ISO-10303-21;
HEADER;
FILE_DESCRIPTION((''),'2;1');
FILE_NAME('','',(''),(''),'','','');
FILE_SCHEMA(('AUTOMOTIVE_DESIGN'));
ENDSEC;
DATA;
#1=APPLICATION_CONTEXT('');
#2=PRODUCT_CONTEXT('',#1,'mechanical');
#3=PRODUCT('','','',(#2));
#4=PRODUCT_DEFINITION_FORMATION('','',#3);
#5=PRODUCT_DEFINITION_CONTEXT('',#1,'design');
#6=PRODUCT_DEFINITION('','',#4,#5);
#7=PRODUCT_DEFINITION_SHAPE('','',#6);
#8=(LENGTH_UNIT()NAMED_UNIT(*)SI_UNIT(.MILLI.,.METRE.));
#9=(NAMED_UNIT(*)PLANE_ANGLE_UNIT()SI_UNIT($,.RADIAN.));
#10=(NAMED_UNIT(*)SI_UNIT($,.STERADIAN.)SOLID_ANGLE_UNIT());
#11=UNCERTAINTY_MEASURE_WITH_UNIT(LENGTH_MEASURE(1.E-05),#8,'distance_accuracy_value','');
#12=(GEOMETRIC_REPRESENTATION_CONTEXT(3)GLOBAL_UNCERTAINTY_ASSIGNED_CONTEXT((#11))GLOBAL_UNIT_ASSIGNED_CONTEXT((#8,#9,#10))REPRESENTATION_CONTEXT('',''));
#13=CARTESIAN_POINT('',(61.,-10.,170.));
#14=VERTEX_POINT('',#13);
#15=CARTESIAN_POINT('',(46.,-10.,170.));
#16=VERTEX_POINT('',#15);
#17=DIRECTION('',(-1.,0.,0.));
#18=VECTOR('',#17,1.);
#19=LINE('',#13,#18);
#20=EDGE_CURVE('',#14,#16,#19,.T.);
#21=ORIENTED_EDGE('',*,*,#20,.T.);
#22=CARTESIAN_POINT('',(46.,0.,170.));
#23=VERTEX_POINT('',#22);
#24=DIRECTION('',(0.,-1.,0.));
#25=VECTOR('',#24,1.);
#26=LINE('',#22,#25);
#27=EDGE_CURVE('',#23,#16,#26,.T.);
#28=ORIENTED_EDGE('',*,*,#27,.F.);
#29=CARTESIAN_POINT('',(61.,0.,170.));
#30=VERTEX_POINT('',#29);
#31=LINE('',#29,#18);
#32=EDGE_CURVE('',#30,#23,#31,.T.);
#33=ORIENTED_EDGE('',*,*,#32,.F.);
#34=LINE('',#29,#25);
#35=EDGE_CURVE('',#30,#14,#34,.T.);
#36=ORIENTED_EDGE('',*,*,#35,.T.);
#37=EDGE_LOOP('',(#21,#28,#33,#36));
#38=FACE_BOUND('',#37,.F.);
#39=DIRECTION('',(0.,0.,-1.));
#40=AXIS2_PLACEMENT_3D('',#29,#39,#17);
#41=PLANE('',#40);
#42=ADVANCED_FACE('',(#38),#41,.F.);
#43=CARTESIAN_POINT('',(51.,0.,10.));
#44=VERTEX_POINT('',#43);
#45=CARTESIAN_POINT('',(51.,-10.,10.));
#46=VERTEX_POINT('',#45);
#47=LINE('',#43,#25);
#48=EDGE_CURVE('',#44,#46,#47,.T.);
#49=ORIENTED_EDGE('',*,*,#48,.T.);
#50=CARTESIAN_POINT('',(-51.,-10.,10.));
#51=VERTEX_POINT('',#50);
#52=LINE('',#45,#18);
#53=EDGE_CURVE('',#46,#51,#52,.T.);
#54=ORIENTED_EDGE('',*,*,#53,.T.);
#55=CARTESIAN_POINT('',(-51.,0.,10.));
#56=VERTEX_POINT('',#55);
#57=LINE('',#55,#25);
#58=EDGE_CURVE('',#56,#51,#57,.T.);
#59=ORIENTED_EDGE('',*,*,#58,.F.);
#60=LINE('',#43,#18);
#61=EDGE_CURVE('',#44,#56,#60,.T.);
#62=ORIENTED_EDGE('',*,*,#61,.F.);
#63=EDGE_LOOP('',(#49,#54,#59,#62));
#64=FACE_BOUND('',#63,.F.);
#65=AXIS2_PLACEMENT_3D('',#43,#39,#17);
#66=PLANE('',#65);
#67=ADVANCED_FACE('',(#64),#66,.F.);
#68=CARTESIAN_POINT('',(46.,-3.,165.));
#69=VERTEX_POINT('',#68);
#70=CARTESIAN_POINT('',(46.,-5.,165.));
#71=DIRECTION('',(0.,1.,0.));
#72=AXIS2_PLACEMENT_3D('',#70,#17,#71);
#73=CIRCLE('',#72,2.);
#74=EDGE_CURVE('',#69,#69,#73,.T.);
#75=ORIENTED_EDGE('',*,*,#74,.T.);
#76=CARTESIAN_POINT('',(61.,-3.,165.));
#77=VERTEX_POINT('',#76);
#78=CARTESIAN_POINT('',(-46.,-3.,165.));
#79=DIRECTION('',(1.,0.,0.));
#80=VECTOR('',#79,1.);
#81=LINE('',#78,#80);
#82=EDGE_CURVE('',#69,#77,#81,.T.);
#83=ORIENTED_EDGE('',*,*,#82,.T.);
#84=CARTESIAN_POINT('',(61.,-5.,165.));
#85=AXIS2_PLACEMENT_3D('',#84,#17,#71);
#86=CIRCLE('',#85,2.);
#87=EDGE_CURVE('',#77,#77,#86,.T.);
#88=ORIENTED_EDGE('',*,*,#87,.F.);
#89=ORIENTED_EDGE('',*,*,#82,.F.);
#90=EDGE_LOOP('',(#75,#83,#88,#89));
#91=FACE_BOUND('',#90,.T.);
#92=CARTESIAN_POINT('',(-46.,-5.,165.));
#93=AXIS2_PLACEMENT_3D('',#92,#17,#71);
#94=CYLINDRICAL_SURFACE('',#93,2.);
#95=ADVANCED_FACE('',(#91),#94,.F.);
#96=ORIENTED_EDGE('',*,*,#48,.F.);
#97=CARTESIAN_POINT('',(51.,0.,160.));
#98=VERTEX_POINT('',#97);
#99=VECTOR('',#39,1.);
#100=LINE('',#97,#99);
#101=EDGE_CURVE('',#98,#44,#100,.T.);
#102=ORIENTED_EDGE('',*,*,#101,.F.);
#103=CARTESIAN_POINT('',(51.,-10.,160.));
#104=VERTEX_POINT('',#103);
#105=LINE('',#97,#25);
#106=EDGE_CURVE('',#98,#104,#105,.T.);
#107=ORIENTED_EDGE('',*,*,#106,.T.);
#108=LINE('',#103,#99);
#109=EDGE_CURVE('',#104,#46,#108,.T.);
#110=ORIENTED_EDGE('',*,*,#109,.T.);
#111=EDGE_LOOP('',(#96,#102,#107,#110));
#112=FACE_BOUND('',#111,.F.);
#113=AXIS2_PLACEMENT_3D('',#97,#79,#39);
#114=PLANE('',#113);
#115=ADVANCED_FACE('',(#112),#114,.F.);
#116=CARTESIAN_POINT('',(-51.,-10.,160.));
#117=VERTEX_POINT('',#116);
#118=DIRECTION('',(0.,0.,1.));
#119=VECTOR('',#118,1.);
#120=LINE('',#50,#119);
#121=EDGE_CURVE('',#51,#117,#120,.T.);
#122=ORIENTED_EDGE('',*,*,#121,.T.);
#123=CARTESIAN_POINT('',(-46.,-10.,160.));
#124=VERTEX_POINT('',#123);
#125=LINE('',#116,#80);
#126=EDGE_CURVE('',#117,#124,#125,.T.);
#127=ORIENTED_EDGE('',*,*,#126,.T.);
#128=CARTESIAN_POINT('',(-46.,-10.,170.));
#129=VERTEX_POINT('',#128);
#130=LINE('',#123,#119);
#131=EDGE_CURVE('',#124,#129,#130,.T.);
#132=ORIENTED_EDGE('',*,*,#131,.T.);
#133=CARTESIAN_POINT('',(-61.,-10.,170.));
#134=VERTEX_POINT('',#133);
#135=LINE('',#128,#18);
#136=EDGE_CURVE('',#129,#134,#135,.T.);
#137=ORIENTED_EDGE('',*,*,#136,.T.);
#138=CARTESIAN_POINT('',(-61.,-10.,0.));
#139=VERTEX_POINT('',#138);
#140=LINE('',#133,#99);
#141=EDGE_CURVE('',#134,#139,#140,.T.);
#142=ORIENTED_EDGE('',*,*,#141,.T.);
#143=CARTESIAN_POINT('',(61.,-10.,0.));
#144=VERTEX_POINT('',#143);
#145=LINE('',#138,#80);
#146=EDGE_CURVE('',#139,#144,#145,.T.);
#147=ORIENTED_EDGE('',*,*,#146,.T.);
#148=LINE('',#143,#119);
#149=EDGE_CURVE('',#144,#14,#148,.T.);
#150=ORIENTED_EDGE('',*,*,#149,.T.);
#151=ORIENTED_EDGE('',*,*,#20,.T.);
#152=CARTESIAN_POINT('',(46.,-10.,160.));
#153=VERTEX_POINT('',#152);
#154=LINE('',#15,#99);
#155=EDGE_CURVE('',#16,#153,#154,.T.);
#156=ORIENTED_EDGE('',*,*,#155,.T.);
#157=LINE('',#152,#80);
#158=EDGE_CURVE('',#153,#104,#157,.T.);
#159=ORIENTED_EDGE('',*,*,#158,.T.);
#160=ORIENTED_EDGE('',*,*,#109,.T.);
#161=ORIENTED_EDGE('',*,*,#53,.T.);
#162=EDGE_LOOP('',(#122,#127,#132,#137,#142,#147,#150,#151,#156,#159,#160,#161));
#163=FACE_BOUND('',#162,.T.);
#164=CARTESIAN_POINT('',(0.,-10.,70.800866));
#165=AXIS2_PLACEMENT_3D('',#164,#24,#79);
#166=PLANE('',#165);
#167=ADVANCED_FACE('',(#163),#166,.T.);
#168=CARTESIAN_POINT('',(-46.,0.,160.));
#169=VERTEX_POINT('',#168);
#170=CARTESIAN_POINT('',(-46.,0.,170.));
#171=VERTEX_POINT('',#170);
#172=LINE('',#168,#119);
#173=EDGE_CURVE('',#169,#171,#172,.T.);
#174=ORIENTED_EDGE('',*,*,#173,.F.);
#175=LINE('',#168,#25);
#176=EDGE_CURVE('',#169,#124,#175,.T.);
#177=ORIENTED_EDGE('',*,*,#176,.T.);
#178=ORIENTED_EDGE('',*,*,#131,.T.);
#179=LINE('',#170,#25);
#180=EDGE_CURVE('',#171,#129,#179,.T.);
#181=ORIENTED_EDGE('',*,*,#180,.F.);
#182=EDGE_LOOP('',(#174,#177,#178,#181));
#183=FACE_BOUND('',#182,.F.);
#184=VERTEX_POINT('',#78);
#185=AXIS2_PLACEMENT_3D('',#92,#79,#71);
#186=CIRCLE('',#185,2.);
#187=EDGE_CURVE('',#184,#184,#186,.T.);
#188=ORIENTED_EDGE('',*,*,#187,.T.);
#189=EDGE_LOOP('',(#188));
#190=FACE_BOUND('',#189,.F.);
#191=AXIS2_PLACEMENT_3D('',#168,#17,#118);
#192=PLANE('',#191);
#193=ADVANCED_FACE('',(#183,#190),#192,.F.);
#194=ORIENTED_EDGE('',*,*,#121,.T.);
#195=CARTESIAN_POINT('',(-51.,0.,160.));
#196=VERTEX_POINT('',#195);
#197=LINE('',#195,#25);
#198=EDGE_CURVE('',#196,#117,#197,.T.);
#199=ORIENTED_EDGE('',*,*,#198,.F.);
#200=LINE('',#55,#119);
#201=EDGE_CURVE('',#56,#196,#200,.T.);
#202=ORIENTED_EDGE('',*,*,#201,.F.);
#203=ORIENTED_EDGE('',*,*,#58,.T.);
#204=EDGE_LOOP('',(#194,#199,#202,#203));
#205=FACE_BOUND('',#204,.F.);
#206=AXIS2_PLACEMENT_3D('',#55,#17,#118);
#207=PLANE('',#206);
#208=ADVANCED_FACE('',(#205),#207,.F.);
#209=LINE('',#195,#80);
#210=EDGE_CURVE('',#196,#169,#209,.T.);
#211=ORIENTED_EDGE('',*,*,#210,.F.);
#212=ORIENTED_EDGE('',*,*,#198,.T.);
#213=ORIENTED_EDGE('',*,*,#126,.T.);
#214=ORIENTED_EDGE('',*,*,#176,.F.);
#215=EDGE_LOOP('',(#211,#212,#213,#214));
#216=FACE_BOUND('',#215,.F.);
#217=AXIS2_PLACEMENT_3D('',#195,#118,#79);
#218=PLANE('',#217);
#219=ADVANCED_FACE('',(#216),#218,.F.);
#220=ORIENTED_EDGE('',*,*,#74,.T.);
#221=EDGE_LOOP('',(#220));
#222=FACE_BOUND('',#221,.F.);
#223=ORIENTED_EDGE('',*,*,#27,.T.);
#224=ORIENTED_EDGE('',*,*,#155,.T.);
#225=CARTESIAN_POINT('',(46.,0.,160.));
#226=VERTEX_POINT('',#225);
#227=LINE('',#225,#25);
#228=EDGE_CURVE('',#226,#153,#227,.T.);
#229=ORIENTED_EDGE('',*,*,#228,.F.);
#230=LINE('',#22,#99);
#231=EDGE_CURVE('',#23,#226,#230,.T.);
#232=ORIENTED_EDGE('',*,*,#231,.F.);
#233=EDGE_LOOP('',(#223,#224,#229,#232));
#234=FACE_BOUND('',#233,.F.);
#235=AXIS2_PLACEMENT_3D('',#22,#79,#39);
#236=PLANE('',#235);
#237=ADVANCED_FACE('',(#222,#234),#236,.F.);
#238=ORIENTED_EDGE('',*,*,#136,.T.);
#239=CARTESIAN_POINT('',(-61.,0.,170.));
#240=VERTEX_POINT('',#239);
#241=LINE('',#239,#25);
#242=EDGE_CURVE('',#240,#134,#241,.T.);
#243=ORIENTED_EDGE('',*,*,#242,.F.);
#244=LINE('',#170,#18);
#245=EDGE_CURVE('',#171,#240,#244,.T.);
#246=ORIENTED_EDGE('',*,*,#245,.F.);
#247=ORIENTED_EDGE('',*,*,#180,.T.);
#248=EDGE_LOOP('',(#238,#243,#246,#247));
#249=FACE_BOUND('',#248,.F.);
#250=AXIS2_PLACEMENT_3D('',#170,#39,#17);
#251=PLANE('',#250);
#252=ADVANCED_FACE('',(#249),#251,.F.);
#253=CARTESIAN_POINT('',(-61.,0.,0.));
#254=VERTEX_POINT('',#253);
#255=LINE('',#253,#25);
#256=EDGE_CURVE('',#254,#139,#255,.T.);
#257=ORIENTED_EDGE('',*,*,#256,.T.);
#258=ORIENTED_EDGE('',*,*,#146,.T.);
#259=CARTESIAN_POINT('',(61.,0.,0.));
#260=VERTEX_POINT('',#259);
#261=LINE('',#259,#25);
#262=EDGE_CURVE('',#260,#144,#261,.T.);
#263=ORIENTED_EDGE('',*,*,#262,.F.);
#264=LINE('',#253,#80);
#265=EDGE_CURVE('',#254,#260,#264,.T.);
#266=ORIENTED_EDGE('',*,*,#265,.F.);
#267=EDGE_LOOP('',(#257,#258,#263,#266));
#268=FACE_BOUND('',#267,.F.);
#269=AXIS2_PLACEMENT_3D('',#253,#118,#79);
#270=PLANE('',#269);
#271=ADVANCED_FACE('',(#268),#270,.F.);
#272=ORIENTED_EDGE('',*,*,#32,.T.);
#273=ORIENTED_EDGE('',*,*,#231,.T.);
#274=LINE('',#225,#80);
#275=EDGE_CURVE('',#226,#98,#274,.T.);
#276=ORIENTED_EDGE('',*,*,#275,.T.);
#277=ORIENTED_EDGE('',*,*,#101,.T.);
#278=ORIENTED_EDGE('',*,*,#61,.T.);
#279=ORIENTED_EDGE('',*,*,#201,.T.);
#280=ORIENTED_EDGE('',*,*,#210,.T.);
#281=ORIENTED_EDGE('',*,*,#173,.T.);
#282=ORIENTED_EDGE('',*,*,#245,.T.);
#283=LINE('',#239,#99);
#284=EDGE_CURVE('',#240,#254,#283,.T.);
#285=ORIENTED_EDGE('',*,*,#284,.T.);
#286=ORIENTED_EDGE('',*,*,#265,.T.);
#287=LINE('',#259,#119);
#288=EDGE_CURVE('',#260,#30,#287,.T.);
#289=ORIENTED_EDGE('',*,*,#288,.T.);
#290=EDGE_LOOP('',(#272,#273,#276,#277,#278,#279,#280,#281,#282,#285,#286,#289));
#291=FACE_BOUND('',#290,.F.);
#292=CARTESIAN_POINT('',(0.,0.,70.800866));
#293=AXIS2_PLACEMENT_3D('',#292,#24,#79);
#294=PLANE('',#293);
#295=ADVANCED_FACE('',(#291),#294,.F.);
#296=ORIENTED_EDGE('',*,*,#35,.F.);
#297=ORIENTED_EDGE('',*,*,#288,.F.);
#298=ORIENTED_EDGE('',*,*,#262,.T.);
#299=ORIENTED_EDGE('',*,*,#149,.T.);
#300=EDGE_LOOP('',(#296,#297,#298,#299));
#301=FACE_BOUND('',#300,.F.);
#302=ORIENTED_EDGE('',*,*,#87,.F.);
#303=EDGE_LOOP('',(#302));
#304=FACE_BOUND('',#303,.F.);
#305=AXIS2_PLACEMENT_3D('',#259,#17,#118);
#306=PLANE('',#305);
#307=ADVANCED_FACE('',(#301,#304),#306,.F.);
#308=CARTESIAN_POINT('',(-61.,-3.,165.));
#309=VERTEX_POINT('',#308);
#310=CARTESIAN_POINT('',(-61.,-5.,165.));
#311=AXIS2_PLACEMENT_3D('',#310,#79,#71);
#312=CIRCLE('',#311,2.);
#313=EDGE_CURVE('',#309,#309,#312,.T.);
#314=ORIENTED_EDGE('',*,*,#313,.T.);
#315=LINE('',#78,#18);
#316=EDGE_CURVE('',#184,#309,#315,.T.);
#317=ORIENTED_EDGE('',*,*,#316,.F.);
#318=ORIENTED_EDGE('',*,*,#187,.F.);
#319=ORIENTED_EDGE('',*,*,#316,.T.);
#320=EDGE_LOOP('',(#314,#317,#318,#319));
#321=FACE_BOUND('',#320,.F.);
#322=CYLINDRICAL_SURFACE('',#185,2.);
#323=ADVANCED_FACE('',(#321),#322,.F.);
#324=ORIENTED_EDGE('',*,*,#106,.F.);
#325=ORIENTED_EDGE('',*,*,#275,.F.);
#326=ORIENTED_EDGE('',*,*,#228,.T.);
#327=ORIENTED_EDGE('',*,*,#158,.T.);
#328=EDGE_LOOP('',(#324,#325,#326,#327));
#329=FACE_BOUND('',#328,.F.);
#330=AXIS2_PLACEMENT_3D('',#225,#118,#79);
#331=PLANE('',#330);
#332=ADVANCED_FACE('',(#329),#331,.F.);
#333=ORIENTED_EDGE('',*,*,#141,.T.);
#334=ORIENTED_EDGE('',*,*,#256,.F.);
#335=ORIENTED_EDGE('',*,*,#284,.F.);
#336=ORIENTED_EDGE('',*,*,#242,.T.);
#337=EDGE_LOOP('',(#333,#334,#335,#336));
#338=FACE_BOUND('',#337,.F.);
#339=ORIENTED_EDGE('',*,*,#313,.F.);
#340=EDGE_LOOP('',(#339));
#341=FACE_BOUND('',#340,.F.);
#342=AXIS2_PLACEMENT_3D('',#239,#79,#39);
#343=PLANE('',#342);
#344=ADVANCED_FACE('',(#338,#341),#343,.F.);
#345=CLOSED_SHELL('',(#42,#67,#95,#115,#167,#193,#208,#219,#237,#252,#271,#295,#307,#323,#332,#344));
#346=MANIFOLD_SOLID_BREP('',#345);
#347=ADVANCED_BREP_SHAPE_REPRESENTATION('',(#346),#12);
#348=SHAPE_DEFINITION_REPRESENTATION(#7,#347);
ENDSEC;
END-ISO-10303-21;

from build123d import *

# Parameters (mm, degrees)
F1_DEPTH      = 10
F2_R          = 2
F3_DEPTH      = 15.001
F3_DEPTH_BACK = 107.001


with BuildPart() as f1:
    # F0 (on Front) → F1 (new body)
    with BuildSketch(Plane.XZ):
        Polygon((-61, 170), (-61, 0), (61, 0), (61, 170), (46, 170), (46, 160), (51, 160), (51, 10), (0, 10), (-51, 10), (-51, 160), (-46, 160), (-46, 170), align=None)
    extrude(amount=F1_DEPTH)

    # F2 (on face) → F3 (cut, two sides)
    with BuildSketch(Plane.YZ.offset(-46)) as f3_sk:
        with Locations((-5, 165)):
            Circle(F2_R)
    extrude(amount=-F3_DEPTH, mode=Mode.SUBTRACT)
    extrude(f3_sk.sketch, amount=F3_DEPTH_BACK, mode=Mode.SUBTRACT)


solid = f1.part
